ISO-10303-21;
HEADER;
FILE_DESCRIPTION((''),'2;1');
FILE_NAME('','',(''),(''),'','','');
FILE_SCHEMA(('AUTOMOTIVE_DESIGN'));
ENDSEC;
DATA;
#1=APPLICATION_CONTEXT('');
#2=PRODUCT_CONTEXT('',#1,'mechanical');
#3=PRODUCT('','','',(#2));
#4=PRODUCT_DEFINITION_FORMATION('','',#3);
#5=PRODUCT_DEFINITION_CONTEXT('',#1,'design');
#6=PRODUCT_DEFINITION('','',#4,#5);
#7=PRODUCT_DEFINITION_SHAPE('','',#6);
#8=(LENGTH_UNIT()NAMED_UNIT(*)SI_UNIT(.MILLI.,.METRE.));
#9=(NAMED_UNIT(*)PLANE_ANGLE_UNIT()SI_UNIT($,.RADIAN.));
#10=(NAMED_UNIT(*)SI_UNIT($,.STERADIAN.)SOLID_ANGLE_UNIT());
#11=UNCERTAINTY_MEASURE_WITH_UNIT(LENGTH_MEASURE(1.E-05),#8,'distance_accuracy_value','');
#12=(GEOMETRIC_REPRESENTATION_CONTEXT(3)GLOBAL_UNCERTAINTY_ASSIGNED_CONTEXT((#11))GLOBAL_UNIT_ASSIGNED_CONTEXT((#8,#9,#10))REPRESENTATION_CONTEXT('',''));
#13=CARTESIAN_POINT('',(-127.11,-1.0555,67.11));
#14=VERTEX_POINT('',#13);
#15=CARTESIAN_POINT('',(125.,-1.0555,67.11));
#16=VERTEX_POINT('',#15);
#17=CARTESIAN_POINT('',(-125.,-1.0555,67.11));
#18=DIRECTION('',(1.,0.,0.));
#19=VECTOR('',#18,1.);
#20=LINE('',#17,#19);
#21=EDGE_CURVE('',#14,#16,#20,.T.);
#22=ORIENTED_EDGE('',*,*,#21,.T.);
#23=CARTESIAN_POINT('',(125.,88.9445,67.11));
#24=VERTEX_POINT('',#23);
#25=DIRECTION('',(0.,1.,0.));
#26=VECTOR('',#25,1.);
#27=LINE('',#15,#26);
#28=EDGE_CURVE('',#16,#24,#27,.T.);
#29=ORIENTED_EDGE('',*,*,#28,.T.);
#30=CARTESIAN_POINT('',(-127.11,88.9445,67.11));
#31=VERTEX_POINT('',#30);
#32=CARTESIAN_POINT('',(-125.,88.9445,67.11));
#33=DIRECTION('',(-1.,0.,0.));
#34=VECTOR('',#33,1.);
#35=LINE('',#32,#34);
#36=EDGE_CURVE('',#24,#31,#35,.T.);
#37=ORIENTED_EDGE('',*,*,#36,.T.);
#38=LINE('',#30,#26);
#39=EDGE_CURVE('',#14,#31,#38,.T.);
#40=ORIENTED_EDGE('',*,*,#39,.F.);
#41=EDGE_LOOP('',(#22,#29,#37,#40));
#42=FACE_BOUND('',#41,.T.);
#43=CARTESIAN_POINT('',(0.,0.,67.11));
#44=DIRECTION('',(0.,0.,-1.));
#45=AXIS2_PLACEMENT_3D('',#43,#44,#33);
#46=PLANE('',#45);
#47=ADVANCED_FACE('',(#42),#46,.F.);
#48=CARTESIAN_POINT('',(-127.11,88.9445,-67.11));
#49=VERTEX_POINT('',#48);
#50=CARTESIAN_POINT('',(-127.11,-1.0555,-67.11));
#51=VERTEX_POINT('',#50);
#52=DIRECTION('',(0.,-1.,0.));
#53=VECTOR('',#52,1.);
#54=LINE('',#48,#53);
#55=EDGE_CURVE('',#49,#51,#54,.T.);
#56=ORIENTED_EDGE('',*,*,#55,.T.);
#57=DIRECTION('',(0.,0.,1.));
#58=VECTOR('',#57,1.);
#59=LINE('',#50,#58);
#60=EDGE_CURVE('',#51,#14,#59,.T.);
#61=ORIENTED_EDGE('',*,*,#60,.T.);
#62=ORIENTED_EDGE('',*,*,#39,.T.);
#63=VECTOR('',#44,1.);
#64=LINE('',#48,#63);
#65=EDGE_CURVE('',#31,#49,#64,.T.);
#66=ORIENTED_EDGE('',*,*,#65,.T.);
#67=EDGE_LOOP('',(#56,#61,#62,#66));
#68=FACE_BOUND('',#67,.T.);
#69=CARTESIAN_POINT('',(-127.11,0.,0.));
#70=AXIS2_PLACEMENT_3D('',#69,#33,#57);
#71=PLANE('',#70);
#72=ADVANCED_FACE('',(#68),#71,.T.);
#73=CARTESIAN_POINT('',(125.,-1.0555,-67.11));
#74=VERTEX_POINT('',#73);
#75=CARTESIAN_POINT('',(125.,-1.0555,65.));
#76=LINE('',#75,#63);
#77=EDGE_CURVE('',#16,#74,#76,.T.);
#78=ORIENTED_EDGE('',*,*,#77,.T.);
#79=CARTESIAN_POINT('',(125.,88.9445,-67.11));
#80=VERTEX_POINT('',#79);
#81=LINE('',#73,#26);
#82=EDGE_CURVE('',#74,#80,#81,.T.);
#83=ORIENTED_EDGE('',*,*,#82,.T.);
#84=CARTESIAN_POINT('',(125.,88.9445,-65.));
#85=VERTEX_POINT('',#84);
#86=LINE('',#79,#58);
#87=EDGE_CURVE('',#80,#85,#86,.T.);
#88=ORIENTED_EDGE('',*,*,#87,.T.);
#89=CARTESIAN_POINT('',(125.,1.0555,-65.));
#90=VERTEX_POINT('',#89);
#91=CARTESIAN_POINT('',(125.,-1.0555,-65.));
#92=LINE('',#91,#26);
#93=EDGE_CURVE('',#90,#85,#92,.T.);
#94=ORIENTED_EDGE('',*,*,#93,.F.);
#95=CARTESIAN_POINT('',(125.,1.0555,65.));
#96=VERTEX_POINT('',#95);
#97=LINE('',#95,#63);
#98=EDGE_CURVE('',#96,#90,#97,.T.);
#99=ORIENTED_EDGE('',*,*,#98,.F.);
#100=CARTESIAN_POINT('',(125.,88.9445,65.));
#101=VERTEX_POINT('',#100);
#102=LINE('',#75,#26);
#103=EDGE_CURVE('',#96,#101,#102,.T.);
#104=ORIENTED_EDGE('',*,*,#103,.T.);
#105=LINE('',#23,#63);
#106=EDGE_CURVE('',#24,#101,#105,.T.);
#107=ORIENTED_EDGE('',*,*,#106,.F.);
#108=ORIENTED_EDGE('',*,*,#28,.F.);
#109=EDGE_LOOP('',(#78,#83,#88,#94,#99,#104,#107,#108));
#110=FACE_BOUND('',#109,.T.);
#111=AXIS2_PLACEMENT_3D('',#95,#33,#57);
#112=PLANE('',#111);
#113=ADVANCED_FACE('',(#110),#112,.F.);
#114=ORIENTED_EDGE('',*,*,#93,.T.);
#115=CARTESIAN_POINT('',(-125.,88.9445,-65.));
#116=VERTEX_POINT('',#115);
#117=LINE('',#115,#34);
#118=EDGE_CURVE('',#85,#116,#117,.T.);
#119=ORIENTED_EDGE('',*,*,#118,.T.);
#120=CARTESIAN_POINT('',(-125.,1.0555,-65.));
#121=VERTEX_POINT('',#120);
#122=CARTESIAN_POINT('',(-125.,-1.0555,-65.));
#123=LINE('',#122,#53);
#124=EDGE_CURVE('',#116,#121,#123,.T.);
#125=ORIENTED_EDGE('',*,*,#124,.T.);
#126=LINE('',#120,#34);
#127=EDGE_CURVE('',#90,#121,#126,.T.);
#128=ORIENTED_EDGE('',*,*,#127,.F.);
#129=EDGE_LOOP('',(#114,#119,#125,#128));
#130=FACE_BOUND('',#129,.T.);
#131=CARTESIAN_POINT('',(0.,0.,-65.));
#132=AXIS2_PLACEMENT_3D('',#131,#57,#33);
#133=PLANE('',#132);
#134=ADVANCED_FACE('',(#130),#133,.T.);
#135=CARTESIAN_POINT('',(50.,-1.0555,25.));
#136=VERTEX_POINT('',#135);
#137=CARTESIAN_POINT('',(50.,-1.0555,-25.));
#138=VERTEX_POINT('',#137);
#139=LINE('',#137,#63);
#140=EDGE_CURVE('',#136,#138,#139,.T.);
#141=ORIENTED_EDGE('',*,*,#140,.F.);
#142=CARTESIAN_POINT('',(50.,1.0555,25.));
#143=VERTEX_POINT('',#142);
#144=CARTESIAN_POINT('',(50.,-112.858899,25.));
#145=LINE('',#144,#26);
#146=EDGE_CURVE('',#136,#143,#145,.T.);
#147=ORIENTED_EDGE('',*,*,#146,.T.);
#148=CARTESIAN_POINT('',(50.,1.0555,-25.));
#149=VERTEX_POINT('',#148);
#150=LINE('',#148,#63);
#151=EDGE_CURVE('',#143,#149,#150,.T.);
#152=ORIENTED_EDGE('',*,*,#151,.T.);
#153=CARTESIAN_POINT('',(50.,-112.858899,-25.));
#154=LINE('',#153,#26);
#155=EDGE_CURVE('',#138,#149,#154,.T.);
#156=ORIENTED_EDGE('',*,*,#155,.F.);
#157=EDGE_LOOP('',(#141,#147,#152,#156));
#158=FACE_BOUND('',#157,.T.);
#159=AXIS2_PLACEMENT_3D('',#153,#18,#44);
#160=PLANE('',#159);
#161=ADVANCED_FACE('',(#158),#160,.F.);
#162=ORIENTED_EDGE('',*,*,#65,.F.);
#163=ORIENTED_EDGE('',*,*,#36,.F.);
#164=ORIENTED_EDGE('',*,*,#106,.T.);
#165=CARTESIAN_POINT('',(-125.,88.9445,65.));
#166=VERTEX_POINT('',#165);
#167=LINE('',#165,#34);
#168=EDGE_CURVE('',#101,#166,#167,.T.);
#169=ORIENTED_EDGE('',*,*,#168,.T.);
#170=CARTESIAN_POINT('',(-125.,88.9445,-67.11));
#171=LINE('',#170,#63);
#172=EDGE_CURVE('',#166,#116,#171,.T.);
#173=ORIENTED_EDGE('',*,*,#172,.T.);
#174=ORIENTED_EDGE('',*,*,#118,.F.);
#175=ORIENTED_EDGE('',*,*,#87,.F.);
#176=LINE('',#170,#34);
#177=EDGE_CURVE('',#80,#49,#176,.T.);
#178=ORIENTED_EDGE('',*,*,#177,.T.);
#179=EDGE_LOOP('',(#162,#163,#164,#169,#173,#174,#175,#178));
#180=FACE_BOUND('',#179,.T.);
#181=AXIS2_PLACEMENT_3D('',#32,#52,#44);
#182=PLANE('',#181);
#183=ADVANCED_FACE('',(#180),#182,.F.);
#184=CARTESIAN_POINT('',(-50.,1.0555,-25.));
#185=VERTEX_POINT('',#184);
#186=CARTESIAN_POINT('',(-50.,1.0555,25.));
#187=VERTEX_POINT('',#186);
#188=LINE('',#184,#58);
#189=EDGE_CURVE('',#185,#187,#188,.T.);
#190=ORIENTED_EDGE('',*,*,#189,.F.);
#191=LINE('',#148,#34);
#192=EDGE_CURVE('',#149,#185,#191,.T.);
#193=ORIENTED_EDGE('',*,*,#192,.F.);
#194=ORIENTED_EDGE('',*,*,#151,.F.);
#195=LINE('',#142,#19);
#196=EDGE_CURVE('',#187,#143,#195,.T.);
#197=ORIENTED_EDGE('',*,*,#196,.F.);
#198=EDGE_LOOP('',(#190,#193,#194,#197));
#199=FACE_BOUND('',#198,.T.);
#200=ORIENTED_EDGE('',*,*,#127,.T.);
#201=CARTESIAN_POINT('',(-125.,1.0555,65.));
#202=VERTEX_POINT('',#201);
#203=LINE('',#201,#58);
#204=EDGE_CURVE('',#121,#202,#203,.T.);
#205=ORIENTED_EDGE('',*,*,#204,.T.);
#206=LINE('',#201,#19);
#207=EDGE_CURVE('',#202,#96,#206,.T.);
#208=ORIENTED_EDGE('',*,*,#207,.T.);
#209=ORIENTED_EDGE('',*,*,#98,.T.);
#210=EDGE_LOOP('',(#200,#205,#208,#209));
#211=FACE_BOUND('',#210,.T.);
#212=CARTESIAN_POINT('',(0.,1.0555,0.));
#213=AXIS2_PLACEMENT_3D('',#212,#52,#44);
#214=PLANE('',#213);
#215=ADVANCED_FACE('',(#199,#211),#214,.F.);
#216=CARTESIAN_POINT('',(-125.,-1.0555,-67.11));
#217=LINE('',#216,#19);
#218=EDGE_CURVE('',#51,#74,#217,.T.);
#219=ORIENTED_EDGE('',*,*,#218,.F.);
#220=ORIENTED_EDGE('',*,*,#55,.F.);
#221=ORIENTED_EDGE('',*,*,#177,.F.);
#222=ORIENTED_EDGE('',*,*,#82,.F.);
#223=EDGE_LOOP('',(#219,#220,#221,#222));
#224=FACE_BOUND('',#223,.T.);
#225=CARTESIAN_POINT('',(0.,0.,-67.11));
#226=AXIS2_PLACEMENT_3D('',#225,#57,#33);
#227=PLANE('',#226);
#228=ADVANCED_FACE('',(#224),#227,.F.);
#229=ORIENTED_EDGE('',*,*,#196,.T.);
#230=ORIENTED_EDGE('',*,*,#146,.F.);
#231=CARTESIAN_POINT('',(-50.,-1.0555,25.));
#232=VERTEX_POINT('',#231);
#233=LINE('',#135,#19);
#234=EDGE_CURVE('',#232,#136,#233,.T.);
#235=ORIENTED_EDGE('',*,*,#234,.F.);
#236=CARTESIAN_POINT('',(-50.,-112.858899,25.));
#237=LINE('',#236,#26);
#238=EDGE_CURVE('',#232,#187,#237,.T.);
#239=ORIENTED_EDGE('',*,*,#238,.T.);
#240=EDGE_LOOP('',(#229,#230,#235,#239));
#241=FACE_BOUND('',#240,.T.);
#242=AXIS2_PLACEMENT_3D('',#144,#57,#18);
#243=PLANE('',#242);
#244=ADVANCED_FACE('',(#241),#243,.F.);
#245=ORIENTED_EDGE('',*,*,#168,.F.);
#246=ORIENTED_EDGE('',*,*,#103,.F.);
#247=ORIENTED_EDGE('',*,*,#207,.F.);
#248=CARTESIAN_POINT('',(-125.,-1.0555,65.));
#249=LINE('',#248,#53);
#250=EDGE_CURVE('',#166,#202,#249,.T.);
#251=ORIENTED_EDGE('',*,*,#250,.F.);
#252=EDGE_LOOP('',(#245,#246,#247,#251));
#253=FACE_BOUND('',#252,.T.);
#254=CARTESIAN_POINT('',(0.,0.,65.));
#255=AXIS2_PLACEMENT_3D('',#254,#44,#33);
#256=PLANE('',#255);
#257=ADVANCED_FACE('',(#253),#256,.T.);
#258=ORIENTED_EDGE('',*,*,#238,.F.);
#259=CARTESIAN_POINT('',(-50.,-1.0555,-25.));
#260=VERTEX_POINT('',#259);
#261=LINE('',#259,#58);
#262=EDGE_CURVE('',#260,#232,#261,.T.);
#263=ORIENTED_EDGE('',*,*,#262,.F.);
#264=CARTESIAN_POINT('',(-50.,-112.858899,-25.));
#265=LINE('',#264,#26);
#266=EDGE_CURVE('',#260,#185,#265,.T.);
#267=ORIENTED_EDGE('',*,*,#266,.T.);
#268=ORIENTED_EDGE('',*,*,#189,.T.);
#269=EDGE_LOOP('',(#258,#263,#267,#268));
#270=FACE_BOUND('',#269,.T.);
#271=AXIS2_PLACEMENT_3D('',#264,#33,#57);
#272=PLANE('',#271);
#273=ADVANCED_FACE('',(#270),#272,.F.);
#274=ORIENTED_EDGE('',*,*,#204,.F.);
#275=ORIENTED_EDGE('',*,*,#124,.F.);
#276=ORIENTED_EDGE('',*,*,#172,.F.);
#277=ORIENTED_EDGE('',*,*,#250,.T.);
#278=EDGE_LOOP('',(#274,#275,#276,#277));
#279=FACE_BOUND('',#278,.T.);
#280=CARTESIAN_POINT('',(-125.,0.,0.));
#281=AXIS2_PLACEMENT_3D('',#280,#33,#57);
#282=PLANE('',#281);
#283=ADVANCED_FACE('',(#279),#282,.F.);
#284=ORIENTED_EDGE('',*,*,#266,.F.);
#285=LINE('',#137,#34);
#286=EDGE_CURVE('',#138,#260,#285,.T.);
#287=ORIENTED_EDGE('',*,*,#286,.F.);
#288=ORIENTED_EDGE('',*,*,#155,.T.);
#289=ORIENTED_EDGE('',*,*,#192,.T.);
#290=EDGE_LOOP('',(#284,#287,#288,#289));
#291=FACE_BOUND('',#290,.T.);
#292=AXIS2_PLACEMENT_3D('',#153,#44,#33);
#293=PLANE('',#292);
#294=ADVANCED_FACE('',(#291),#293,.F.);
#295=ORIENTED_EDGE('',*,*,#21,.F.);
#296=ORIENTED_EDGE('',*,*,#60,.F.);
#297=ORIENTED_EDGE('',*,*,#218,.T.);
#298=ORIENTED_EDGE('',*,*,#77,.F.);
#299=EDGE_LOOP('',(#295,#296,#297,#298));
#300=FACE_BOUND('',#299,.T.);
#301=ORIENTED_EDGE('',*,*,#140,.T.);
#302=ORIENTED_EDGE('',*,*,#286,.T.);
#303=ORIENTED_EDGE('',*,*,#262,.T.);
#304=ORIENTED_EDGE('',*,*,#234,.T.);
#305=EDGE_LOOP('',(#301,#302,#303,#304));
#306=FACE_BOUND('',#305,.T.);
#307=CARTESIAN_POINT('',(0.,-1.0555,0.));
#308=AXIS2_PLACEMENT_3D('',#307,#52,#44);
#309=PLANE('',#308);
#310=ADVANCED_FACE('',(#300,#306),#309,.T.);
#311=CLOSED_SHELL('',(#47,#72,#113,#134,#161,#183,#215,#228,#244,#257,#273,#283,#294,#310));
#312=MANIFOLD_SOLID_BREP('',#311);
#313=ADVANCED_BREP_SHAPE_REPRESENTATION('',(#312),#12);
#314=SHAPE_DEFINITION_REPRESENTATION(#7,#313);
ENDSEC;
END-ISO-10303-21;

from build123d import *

# Parameters (mm, degrees)
CROQUIS1_W              = 250
CROQUIS1_H              = 130
SALIENTE_EXTRUIR1_DEPTH = 1.0555
CROQUIS3_W              = 250
CROQUIS3_H              = 90
SALIENTE_EXTRUIR2_DEPTH = 2.11
CROQUIS4_W              = 100
CROQUIS4_H              = 50
CORTAR_EXTRUIR1_DEPTH   = 2.111
CROQUIS5_W              = 134.22
CROQUIS5_H              = 90
SALIENTE_EXTRUIR3_DEPTH = 2.11


with BuildPart() as part:
    # Croquis1 → Saliente-Extruir1 (new body, symmetric)
    with BuildSketch(Plane(origin=(0, 0, 0), x_dir=(1, 0, 0), z_dir=(0, 1, 0))):
        Rectangle(CROQUIS1_W, CROQUIS1_H)
    extrude(amount=SALIENTE_EXTRUIR1_DEPTH, both=True)

    # Croquis3 → Saliente-Extruir2 (add)
    with BuildSketch(Plane.XY.offset(65)):
        with Locations((0, 43.9445)):
            Rectangle(CROQUIS3_W, CROQUIS3_H)
    saliente_extruir2 = extrude(amount=SALIENTE_EXTRUIR2_DEPTH)

    # Simetría1: Saliente-Extruir2 across plane
    add(saliente_extruir2.mirror(Plane.XY))

    # Croquis4 → Cortar-Extruir1 (cut)
    with BuildSketch(Plane(origin=(0, 1.0555, 0), x_dir=(1, 0, 0), z_dir=(0, 1, 0))):
        Rectangle(CROQUIS4_W, CROQUIS4_H)
    extrude(amount=-CORTAR_EXTRUIR1_DEPTH, mode=Mode.SUBTRACT)

    # Croquis5 → Saliente-Extruir3 (add)
    with BuildSketch(Plane.ZY.offset(125)):
        with Locations((0, 43.9445)):
            Rectangle(CROQUIS5_W, CROQUIS5_H)
    extrude(amount=SALIENTE_EXTRUIR3_DEPTH)


solid = part.part
